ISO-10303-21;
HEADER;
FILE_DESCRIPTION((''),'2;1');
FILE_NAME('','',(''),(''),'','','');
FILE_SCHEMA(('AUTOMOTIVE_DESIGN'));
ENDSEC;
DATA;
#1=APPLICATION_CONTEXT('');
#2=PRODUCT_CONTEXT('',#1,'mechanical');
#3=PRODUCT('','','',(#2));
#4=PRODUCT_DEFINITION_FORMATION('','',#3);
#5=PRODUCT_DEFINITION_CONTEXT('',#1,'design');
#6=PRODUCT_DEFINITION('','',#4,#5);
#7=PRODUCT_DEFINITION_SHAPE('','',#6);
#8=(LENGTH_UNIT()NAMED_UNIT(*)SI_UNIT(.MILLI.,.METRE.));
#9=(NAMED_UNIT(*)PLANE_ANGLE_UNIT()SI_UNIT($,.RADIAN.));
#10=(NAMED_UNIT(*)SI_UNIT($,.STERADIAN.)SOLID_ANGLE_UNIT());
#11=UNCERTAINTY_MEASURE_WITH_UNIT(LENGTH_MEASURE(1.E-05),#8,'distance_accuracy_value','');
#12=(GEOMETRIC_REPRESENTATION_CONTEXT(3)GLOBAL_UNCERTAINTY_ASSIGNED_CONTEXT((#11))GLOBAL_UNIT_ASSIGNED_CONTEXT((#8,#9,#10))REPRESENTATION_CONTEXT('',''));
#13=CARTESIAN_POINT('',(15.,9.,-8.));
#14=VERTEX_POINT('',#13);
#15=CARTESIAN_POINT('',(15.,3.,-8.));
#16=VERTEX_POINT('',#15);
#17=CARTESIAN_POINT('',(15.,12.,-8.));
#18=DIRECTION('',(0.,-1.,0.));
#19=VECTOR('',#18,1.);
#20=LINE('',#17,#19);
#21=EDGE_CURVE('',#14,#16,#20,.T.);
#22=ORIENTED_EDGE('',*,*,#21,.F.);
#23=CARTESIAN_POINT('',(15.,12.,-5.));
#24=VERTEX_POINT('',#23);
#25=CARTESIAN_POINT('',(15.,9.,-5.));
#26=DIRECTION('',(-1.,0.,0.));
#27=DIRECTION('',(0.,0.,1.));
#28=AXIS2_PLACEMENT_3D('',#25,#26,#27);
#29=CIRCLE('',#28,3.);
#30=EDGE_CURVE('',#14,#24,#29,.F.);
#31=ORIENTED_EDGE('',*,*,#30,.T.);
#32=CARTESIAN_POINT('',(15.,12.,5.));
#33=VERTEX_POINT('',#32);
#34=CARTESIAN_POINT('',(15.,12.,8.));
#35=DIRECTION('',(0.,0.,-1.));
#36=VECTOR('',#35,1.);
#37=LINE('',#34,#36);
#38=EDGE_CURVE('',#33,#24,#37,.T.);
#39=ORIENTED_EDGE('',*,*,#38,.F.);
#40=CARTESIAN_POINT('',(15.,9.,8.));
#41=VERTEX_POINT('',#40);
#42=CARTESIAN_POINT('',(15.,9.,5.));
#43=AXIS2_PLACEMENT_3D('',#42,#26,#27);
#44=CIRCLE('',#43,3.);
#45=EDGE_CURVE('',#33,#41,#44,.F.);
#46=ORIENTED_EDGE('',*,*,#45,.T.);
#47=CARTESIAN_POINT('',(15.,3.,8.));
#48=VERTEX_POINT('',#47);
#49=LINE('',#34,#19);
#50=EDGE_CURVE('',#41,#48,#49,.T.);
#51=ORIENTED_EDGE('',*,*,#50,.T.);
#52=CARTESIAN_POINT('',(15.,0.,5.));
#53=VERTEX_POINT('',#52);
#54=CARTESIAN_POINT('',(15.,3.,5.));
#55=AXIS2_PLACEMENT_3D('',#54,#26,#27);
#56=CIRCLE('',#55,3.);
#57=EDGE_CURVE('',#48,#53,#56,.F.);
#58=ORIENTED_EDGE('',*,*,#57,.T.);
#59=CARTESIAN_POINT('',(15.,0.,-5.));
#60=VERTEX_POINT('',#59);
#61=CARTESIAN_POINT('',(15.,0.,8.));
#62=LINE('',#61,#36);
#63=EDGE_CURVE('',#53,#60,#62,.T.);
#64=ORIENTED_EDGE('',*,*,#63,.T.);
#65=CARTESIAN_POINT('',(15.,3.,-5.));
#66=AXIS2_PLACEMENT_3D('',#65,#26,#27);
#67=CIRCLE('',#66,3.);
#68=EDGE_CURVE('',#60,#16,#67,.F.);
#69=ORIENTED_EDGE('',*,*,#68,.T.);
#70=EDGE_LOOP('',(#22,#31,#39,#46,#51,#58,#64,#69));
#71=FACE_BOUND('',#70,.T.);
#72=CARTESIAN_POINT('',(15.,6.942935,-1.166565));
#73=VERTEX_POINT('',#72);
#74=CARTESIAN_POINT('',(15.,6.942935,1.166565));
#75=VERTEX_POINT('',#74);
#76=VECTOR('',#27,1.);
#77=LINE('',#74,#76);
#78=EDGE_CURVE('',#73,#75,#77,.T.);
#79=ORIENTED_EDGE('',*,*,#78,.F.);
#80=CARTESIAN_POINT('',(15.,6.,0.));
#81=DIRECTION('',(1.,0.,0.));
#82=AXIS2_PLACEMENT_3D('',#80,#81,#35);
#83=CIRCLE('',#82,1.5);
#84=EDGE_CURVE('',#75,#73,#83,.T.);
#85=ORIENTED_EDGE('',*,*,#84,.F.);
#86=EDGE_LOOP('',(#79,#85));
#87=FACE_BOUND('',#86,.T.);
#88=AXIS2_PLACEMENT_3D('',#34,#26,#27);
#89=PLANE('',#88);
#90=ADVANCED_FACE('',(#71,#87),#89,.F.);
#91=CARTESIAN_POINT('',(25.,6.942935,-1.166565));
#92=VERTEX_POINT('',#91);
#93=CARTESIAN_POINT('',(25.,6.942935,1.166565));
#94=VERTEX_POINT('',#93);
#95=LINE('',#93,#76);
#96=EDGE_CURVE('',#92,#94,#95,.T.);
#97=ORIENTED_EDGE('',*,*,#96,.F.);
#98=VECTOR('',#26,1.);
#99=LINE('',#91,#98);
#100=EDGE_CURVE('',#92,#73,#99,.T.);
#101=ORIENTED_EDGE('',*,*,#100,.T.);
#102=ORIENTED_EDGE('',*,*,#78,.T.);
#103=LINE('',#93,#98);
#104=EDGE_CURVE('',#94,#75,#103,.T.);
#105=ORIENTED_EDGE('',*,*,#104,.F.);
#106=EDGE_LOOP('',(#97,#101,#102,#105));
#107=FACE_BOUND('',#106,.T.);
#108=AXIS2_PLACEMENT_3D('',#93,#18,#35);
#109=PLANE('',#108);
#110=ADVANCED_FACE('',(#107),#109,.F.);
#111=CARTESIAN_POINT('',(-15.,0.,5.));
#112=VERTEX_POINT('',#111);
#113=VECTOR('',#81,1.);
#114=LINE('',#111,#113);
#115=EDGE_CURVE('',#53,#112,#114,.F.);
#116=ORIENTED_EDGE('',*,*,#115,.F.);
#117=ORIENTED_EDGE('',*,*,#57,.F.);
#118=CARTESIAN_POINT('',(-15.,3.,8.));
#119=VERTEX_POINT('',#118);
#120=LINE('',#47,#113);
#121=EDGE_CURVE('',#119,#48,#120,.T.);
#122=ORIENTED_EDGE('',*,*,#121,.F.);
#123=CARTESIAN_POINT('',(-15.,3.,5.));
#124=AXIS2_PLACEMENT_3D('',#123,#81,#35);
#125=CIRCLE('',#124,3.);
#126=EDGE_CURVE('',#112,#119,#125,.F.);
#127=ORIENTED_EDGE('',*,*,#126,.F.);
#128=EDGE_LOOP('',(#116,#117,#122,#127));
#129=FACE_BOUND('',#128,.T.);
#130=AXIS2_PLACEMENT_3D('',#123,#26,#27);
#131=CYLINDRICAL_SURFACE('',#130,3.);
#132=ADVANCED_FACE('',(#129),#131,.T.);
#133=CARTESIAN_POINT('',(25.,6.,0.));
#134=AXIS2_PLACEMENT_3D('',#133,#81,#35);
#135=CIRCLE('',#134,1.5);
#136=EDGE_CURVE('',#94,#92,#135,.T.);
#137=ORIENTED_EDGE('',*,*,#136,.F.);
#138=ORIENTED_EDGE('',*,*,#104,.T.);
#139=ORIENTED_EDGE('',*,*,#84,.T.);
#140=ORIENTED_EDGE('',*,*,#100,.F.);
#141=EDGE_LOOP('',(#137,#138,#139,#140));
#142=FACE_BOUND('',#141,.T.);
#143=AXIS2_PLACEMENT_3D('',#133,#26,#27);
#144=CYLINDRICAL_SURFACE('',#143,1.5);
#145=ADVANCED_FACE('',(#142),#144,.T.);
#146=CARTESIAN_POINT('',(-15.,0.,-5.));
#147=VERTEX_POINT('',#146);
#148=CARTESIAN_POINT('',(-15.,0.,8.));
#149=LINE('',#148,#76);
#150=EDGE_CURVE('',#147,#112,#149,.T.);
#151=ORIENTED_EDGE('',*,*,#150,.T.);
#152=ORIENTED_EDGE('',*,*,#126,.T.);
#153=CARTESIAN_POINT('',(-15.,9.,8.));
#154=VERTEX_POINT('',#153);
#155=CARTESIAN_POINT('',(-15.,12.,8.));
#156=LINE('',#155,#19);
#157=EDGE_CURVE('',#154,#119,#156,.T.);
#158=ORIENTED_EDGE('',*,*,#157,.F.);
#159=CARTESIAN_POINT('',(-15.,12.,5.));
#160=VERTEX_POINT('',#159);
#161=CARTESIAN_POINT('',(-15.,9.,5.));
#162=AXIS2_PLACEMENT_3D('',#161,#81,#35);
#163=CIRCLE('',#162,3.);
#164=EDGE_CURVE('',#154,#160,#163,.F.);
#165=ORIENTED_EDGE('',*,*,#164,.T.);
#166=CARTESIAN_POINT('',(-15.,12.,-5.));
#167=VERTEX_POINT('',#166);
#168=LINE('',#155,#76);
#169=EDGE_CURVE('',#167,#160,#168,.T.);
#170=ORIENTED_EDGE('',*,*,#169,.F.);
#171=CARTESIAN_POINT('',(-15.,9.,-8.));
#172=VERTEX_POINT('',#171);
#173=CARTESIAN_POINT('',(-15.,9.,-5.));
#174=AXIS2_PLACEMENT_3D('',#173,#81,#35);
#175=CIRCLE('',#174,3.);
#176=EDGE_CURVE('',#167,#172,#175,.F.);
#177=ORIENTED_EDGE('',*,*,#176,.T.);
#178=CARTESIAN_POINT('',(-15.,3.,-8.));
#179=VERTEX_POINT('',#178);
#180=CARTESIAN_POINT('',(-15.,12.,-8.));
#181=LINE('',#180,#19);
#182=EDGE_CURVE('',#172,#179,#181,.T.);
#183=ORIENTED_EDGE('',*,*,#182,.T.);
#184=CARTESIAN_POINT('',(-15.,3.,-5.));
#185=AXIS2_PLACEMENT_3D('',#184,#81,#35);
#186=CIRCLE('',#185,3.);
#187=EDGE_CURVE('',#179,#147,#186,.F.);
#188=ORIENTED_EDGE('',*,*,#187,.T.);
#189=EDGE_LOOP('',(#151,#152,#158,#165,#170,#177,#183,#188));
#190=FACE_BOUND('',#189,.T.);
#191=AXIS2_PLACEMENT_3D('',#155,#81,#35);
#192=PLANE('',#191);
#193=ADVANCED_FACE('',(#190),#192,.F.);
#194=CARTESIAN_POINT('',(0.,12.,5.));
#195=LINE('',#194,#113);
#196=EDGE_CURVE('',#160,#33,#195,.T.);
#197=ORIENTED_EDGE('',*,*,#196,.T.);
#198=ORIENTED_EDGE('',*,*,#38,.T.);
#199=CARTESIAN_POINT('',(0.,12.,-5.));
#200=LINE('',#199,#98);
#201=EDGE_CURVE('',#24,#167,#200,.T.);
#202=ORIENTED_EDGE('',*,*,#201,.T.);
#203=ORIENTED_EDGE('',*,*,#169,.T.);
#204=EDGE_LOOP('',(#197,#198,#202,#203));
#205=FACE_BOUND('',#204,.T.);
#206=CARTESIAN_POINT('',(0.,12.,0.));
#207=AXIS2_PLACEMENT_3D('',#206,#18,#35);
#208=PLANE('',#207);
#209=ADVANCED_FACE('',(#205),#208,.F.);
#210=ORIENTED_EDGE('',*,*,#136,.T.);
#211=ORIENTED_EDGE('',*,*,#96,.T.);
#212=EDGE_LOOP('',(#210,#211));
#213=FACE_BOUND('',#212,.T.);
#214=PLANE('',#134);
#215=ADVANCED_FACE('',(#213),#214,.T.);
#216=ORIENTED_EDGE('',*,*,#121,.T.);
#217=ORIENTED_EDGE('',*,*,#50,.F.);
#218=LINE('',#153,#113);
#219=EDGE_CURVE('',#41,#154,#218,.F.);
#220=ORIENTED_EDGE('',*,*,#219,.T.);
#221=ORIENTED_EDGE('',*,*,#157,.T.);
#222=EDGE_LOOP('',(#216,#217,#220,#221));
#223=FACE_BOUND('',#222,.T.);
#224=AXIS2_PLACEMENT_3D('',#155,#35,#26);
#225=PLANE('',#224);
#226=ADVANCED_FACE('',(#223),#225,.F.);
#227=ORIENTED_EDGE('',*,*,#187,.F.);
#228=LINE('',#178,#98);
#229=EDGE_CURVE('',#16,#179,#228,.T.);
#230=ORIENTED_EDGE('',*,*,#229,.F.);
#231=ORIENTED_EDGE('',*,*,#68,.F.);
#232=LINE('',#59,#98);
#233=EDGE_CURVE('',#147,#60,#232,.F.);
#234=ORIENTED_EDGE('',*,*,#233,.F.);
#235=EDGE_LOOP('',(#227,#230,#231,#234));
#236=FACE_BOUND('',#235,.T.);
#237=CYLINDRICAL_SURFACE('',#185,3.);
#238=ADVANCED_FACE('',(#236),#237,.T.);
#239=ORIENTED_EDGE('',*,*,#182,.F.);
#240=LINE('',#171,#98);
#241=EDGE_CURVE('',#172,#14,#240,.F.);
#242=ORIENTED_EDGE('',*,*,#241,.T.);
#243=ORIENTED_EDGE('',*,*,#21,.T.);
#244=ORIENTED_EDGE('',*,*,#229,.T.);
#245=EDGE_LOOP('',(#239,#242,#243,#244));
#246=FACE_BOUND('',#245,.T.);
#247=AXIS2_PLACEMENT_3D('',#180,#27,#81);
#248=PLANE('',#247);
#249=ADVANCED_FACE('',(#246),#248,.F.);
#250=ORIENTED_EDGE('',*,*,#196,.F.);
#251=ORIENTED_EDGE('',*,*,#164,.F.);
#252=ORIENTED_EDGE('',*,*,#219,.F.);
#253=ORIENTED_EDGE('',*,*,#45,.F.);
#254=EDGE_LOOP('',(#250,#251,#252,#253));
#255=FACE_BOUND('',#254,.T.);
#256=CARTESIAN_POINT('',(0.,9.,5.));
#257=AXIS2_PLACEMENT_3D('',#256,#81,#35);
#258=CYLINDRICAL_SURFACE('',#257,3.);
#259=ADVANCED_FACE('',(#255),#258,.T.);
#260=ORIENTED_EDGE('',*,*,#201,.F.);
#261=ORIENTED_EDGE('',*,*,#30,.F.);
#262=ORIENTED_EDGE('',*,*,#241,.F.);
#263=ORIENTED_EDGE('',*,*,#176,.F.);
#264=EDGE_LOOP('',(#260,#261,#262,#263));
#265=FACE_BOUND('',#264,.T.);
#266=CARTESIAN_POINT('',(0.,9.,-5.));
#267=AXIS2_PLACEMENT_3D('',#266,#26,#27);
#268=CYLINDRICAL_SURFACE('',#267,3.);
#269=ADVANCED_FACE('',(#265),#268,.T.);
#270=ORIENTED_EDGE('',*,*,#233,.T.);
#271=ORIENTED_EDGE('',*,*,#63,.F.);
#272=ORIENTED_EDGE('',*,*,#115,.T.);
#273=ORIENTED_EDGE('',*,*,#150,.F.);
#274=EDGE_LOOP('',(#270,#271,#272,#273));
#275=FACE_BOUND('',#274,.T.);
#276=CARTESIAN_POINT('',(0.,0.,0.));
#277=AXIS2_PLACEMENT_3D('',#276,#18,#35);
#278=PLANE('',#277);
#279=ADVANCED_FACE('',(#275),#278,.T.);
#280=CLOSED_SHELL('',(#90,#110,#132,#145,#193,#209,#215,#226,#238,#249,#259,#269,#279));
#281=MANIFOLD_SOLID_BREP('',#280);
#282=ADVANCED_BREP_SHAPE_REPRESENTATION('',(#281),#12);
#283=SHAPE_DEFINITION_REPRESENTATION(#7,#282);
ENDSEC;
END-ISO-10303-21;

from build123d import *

# Parameters (mm, degrees)
SKETCH1_W           = 30
SKETCH1_H           = 16
BOSS_EXTRUDE1_DEPTH = 12
FILLET2_R           = 3
BOSS_EXTRUDE3_DEPTH = 10


with BuildPart() as part:
    # Sketch1 → Boss-Extrude1 (new body)
    with BuildSketch(Plane(origin=(0, 0, 0), x_dir=(1, 0, 0), z_dir=(0, 1, 0))):
        Rectangle(SKETCH1_W, SKETCH1_H)
    extrude(amount=BOSS_EXTRUDE1_DEPTH)

    # Fillet2
    fillet2_edges = [part.edges().sort_by_distance(p)[0] for p in [
        (0, 12, 8),
        (0, 0, 8),
        (0, 0, -8),
        (0, 12, -8),
    ]]
    fillet(fillet2_edges, radius=FILLET2_R)

    # Sketch3 → Boss-Extrude3 (add)
    with BuildSketch(Plane(origin=(15, 0, 0), x_dir=(0, 0, -1), z_dir=(1, 0, 0))):
        with BuildLine():
            Line((-1.166565174, 6.942934619), (1.166565174, 6.942934619))
            ThreePointArc((1.166565174, 6.942934619), (0, 4.5), (-1.166565174, 6.942934619))
        make_face()
    extrude(amount=BOSS_EXTRUDE3_DEPTH)


solid = part.part
